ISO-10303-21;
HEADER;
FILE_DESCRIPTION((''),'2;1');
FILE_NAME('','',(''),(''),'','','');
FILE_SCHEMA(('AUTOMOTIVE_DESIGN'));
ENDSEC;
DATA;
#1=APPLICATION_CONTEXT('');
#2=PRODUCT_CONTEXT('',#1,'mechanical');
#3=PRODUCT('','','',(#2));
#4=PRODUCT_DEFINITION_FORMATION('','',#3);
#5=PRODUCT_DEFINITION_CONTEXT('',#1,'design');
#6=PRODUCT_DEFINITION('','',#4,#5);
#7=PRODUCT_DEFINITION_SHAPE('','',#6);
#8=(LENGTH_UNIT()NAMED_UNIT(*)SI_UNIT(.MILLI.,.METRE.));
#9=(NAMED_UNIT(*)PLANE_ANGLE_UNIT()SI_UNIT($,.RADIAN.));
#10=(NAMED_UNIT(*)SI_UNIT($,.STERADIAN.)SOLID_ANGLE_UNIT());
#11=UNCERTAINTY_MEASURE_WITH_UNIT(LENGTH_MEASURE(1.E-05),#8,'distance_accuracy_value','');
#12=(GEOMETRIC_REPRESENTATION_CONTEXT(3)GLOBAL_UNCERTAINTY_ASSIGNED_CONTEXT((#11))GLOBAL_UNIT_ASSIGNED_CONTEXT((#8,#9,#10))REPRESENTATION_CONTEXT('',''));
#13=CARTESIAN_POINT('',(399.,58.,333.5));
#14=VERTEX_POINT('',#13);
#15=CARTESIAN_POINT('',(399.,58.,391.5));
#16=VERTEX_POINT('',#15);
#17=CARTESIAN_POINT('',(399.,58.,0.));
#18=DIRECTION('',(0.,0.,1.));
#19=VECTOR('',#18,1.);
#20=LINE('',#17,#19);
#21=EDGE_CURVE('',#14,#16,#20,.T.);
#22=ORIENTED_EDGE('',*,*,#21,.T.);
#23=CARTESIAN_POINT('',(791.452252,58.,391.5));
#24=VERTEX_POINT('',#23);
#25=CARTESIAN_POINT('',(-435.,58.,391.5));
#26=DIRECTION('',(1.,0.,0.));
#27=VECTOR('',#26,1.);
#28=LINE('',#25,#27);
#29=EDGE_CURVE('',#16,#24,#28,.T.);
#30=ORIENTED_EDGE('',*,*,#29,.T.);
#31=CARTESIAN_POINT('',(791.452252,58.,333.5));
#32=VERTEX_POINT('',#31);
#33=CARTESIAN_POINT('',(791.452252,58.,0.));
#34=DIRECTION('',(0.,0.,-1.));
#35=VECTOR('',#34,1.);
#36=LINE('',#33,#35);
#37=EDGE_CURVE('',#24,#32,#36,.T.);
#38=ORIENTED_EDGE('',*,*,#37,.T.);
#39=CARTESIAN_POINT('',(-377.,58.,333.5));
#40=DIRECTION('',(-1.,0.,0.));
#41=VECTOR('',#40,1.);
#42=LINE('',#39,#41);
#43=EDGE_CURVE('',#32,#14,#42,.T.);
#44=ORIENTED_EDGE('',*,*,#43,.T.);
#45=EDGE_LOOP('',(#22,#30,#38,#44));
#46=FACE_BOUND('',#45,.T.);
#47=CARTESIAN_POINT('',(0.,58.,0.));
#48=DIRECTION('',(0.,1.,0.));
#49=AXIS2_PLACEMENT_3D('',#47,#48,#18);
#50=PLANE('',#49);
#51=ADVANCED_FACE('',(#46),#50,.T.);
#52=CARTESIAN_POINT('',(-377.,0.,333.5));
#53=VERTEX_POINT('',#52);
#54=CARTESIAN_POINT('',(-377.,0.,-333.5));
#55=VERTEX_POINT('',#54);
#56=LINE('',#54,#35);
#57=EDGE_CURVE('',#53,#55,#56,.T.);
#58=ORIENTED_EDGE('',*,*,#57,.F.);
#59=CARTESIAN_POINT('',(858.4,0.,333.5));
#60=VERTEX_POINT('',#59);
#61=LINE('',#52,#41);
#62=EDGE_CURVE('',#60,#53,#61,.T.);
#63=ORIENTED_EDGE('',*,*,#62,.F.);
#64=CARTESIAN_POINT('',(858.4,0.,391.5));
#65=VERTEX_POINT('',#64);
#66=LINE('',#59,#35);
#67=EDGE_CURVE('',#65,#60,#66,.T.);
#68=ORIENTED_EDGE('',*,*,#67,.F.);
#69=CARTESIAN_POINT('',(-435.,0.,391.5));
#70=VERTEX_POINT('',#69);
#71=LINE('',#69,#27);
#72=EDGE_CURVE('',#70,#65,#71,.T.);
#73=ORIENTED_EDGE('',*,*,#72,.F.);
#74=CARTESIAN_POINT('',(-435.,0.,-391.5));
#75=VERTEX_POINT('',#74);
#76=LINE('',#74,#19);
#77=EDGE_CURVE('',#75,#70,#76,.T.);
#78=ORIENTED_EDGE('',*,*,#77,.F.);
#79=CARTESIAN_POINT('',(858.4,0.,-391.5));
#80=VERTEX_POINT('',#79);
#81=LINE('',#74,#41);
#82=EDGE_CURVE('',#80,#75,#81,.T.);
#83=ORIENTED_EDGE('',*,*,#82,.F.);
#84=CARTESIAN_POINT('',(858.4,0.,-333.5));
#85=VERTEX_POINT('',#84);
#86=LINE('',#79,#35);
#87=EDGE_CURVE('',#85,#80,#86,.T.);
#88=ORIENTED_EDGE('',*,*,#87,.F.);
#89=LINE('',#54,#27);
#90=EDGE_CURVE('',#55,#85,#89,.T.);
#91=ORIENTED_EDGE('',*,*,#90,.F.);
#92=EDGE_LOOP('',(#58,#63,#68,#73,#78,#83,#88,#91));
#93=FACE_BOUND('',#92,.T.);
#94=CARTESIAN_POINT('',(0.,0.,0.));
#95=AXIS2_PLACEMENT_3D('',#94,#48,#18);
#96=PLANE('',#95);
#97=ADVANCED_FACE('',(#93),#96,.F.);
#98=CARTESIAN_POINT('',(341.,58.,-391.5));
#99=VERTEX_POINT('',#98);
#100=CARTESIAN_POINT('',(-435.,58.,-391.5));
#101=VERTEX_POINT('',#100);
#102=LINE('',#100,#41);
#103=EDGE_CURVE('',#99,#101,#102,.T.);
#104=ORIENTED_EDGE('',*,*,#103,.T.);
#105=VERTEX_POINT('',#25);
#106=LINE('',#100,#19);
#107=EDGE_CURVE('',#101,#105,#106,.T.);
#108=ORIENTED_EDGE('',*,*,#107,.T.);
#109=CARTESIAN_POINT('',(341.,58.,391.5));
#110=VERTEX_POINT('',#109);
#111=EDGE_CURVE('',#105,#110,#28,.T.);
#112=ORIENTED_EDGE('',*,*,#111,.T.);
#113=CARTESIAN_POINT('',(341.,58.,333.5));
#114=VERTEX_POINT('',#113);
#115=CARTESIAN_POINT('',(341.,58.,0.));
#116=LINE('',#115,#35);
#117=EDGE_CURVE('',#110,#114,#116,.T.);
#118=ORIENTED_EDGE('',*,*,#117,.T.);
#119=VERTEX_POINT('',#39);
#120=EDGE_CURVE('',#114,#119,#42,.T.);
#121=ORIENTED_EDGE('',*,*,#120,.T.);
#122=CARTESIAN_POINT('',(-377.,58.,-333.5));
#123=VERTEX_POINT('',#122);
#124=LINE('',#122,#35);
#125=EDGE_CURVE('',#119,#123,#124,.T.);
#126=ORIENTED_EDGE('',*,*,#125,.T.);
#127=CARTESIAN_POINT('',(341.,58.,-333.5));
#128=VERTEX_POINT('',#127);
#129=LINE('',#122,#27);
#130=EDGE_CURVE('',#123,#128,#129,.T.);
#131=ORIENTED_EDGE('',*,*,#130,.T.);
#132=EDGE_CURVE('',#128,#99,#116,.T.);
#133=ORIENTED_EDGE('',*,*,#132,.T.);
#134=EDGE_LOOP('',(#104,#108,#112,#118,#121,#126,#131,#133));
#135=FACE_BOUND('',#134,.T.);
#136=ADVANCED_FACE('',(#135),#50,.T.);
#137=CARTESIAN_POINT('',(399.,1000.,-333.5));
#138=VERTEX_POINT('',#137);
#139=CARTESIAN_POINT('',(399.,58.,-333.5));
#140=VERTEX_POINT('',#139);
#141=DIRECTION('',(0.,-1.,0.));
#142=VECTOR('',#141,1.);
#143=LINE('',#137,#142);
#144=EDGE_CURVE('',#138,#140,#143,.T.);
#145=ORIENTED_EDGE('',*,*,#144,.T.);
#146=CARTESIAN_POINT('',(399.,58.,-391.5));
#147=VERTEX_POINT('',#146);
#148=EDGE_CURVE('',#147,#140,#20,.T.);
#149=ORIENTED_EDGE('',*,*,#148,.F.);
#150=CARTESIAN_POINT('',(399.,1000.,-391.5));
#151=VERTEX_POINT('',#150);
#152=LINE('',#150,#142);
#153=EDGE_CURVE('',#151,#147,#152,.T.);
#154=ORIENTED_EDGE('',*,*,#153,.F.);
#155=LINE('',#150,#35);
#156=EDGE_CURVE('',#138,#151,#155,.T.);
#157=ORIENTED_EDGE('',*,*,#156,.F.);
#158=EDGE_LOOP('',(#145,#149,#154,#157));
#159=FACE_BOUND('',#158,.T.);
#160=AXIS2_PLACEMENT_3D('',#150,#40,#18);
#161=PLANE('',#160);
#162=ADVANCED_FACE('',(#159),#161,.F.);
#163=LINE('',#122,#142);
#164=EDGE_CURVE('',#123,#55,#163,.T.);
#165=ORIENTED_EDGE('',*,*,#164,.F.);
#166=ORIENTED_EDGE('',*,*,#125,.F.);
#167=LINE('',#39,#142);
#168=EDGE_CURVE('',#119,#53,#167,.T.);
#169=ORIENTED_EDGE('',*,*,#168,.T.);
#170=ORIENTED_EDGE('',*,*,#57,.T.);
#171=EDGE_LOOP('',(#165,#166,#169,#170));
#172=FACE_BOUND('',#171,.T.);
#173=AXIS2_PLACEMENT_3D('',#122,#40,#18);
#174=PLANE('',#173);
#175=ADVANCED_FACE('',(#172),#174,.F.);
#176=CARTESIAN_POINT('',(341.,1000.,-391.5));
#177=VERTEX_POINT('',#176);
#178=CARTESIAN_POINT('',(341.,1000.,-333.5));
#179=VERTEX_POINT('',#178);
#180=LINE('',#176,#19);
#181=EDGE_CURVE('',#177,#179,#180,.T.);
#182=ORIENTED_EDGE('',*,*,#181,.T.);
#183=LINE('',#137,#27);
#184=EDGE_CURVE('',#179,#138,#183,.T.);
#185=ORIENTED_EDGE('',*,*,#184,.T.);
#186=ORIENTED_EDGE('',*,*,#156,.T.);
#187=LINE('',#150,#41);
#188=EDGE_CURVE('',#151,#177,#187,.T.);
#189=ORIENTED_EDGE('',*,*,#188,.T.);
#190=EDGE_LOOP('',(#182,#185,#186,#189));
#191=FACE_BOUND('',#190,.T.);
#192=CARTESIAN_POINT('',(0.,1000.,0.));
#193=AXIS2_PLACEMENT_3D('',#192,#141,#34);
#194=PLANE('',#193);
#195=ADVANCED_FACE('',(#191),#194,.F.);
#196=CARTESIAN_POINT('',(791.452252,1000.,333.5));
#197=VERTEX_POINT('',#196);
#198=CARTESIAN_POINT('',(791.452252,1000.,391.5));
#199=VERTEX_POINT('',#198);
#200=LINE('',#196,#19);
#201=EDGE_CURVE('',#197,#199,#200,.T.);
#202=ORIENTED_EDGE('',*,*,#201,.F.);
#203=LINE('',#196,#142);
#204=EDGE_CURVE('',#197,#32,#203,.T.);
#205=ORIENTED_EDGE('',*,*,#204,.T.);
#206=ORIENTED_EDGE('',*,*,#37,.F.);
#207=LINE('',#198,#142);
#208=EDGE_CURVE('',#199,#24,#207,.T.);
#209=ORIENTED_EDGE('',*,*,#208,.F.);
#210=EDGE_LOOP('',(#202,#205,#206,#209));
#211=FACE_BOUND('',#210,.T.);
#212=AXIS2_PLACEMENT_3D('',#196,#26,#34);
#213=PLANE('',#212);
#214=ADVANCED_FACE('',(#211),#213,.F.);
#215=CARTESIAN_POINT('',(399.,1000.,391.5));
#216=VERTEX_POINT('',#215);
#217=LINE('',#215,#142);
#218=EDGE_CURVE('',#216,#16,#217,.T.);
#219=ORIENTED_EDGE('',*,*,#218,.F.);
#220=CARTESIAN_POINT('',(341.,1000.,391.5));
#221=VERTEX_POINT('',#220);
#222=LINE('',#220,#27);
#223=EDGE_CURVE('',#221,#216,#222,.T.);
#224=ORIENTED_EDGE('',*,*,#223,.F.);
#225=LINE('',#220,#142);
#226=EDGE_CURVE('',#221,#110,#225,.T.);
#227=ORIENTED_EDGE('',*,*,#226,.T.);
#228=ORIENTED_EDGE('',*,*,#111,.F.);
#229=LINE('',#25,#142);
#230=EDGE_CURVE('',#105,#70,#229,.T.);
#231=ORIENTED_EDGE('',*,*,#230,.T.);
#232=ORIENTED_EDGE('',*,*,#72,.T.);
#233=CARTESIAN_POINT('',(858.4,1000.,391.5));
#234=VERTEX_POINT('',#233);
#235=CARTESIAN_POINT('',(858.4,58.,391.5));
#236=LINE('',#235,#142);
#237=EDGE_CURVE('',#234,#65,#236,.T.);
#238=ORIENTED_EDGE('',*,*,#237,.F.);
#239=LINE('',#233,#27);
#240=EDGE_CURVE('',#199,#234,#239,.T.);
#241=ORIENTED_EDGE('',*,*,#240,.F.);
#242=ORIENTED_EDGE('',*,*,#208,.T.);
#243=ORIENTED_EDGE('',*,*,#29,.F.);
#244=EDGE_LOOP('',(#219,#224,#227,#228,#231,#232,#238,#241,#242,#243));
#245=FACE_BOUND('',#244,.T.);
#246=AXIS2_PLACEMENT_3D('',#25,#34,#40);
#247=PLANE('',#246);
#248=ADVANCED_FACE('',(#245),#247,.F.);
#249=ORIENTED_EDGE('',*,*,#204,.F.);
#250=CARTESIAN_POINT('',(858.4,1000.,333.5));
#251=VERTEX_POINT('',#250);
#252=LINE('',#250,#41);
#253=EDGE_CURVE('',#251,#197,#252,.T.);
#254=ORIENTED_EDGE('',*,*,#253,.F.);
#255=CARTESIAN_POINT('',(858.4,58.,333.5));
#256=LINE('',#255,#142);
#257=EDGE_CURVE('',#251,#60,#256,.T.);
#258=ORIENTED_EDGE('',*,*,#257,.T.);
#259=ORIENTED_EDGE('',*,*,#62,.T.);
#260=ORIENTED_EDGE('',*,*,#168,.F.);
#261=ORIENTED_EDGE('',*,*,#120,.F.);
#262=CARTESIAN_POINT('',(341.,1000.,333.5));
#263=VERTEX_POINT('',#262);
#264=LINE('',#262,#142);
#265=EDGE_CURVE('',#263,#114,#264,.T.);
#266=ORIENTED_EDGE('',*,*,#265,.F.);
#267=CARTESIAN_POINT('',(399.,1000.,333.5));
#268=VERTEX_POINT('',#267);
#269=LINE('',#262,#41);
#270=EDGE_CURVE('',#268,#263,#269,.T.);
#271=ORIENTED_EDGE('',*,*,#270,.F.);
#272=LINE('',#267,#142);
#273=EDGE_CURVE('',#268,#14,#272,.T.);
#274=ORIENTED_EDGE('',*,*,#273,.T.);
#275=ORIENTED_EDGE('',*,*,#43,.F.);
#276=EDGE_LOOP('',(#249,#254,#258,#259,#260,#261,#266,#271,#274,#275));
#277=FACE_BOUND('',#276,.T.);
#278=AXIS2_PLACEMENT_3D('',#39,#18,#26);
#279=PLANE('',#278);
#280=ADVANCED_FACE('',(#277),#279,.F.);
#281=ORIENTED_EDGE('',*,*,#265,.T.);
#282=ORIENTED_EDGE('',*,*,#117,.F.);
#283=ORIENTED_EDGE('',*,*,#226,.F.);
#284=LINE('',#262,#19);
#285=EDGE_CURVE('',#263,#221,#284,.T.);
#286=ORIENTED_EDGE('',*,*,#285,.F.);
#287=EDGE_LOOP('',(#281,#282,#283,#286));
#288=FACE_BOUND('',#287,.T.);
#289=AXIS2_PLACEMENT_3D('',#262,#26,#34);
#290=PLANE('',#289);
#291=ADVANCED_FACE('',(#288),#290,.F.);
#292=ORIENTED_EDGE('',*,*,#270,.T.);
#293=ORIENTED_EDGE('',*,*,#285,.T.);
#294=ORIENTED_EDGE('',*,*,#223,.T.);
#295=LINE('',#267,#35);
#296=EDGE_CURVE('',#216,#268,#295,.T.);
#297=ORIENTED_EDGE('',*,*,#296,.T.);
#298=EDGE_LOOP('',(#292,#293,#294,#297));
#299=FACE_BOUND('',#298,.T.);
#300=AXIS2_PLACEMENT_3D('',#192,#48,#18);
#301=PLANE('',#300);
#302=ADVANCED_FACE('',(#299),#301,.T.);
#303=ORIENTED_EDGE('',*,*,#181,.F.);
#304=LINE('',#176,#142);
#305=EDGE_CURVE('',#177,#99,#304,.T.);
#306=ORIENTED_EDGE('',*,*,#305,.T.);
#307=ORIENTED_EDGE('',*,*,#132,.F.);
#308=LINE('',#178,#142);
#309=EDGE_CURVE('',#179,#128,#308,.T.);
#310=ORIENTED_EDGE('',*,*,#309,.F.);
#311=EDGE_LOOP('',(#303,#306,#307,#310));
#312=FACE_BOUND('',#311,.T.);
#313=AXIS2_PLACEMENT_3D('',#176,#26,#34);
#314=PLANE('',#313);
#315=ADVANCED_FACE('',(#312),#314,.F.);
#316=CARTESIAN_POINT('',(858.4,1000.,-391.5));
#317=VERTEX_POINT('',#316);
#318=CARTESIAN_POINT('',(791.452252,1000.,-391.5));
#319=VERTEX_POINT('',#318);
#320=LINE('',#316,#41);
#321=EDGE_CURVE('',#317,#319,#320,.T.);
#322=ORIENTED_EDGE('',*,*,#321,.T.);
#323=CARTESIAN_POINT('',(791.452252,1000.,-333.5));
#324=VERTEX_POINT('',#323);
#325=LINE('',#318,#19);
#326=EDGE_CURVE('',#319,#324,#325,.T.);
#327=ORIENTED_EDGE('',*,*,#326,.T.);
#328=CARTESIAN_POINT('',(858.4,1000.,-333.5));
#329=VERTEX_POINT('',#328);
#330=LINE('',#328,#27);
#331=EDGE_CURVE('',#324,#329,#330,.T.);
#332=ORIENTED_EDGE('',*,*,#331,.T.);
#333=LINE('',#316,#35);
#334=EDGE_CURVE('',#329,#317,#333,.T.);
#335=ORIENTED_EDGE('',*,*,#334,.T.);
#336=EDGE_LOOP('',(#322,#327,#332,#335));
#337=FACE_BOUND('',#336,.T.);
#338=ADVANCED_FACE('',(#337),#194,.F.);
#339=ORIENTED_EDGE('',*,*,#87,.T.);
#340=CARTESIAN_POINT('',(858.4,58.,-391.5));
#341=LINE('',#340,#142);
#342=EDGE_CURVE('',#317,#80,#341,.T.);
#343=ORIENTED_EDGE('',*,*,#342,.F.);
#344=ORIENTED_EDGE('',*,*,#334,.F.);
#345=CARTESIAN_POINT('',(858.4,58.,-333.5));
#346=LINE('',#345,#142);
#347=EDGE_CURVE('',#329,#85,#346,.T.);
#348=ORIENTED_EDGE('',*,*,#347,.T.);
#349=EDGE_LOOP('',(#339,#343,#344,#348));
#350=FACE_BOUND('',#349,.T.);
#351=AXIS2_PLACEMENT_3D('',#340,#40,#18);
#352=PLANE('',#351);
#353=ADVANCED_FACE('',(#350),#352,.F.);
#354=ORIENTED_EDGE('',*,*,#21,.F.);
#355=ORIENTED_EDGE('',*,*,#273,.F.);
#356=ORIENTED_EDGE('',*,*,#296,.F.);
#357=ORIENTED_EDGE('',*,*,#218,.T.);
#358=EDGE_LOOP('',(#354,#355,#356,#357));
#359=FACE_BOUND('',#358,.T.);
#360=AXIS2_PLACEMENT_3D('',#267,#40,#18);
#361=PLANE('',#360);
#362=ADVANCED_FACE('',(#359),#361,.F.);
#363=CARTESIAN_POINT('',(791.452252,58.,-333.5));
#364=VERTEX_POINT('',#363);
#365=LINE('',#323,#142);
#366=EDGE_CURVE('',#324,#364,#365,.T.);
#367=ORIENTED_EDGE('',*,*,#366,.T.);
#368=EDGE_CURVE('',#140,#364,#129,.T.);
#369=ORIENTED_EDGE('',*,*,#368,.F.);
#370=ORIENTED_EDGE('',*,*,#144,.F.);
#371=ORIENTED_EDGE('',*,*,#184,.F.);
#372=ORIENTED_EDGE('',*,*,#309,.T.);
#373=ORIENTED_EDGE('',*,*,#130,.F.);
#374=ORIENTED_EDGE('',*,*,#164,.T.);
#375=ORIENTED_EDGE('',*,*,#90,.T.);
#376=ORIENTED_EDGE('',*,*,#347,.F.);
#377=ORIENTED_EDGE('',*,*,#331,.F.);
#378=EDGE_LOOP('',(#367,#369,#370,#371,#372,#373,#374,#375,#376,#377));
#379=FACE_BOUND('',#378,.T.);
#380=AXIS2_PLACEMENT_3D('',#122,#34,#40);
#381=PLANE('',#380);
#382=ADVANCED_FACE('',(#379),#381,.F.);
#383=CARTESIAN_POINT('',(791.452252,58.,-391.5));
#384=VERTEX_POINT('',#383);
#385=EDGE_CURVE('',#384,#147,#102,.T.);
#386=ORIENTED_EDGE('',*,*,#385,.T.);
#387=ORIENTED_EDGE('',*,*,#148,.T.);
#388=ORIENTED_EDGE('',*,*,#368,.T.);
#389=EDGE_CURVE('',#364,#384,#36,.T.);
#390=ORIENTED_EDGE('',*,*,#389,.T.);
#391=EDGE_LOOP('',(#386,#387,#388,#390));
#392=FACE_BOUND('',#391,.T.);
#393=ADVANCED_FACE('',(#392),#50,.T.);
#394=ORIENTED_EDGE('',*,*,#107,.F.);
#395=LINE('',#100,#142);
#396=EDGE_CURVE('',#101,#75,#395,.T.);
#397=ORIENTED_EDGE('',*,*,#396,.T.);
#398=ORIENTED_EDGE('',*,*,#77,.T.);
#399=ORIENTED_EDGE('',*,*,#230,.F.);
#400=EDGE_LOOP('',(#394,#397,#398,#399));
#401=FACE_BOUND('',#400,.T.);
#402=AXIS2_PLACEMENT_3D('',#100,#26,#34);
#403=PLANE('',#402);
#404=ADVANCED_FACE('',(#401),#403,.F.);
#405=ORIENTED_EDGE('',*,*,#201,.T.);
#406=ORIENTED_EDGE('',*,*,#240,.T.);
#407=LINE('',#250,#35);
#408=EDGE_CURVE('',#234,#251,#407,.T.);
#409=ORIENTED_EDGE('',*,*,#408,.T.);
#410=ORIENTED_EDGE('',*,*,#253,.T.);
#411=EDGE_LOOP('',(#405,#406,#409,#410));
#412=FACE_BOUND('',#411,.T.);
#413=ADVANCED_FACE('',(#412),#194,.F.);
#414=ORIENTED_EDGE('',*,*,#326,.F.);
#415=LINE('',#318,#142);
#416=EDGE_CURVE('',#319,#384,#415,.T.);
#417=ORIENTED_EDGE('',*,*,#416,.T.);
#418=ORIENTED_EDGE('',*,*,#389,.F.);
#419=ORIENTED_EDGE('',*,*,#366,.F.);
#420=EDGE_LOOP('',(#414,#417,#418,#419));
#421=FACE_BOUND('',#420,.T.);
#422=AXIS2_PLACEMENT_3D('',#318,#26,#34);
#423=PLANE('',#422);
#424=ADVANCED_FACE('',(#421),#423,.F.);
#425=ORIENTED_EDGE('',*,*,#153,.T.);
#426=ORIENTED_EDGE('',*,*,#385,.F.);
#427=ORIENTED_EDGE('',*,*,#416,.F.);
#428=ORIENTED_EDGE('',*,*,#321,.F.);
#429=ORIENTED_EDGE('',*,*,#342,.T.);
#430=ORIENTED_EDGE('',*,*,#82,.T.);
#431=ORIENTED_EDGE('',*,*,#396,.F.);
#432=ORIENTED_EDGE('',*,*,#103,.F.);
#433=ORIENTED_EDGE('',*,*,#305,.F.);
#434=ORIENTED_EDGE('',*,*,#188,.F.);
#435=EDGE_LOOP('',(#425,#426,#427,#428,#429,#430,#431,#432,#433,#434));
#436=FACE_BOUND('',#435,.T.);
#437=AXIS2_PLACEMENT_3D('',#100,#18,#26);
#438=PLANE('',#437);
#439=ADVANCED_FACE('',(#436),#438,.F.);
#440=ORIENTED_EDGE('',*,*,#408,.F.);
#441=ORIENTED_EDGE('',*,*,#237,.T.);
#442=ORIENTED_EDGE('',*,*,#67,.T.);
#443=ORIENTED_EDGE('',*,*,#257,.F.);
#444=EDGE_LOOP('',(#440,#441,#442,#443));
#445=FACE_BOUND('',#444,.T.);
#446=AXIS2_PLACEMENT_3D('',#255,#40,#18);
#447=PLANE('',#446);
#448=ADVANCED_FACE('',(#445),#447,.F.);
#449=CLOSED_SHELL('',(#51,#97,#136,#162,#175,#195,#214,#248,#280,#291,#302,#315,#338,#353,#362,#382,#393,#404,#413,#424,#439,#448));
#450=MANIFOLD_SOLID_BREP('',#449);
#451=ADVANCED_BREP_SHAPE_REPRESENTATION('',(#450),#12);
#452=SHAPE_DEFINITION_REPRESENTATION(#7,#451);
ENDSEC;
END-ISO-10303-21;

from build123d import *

# Parameters (mm, degrees)
SALIENTE_EXTRUIR1_DEPTH = 58
CROQUIS3_W              = 58
CROQUIS3_H              = 58
CROQUIS3_W_2            = 66.947748122
SALIENTE_EXTRUIR2_DEPTH = 1000


with BuildPart() as part:
    # Croquis2 → Saliente-Extruir1 (new body)
    with BuildSketch(Plane(origin=(0, 0, 0), x_dir=(1, 0, 0), z_dir=(0, 1, 0))):
        Polygon((858.4, -333.5), (858.4, -391.5), (-435, -391.5), (-435, 391.5), (858.4, 391.5), (858.4, 333.5), (-377, 333.5), (-377, -333.5), align=None)
    extrude(amount=SALIENTE_EXTRUIR1_DEPTH)

    # Croquis3 → Saliente-Extruir2 (add)
    with BuildSketch(Plane(origin=(0, 0, 0), x_dir=(1, 0, 0), z_dir=(0, 1, 0))):
        with Locations((370, 362.5)):
            Rectangle(CROQUIS3_W, CROQUIS3_H)
        with Locations((824.926125939, 362.5)):
            Rectangle(CROQUIS3_W_2, CROQUIS3_H)
        with Locations((824.926125939, -362.5)):
            Rectangle(CROQUIS3_W_2, CROQUIS3_H)
        with Locations((370, -362.5)):
            Rectangle(CROQUIS3_W, CROQUIS3_H)
    extrude(amount=SALIENTE_EXTRUIR2_DEPTH)


solid = part.part
